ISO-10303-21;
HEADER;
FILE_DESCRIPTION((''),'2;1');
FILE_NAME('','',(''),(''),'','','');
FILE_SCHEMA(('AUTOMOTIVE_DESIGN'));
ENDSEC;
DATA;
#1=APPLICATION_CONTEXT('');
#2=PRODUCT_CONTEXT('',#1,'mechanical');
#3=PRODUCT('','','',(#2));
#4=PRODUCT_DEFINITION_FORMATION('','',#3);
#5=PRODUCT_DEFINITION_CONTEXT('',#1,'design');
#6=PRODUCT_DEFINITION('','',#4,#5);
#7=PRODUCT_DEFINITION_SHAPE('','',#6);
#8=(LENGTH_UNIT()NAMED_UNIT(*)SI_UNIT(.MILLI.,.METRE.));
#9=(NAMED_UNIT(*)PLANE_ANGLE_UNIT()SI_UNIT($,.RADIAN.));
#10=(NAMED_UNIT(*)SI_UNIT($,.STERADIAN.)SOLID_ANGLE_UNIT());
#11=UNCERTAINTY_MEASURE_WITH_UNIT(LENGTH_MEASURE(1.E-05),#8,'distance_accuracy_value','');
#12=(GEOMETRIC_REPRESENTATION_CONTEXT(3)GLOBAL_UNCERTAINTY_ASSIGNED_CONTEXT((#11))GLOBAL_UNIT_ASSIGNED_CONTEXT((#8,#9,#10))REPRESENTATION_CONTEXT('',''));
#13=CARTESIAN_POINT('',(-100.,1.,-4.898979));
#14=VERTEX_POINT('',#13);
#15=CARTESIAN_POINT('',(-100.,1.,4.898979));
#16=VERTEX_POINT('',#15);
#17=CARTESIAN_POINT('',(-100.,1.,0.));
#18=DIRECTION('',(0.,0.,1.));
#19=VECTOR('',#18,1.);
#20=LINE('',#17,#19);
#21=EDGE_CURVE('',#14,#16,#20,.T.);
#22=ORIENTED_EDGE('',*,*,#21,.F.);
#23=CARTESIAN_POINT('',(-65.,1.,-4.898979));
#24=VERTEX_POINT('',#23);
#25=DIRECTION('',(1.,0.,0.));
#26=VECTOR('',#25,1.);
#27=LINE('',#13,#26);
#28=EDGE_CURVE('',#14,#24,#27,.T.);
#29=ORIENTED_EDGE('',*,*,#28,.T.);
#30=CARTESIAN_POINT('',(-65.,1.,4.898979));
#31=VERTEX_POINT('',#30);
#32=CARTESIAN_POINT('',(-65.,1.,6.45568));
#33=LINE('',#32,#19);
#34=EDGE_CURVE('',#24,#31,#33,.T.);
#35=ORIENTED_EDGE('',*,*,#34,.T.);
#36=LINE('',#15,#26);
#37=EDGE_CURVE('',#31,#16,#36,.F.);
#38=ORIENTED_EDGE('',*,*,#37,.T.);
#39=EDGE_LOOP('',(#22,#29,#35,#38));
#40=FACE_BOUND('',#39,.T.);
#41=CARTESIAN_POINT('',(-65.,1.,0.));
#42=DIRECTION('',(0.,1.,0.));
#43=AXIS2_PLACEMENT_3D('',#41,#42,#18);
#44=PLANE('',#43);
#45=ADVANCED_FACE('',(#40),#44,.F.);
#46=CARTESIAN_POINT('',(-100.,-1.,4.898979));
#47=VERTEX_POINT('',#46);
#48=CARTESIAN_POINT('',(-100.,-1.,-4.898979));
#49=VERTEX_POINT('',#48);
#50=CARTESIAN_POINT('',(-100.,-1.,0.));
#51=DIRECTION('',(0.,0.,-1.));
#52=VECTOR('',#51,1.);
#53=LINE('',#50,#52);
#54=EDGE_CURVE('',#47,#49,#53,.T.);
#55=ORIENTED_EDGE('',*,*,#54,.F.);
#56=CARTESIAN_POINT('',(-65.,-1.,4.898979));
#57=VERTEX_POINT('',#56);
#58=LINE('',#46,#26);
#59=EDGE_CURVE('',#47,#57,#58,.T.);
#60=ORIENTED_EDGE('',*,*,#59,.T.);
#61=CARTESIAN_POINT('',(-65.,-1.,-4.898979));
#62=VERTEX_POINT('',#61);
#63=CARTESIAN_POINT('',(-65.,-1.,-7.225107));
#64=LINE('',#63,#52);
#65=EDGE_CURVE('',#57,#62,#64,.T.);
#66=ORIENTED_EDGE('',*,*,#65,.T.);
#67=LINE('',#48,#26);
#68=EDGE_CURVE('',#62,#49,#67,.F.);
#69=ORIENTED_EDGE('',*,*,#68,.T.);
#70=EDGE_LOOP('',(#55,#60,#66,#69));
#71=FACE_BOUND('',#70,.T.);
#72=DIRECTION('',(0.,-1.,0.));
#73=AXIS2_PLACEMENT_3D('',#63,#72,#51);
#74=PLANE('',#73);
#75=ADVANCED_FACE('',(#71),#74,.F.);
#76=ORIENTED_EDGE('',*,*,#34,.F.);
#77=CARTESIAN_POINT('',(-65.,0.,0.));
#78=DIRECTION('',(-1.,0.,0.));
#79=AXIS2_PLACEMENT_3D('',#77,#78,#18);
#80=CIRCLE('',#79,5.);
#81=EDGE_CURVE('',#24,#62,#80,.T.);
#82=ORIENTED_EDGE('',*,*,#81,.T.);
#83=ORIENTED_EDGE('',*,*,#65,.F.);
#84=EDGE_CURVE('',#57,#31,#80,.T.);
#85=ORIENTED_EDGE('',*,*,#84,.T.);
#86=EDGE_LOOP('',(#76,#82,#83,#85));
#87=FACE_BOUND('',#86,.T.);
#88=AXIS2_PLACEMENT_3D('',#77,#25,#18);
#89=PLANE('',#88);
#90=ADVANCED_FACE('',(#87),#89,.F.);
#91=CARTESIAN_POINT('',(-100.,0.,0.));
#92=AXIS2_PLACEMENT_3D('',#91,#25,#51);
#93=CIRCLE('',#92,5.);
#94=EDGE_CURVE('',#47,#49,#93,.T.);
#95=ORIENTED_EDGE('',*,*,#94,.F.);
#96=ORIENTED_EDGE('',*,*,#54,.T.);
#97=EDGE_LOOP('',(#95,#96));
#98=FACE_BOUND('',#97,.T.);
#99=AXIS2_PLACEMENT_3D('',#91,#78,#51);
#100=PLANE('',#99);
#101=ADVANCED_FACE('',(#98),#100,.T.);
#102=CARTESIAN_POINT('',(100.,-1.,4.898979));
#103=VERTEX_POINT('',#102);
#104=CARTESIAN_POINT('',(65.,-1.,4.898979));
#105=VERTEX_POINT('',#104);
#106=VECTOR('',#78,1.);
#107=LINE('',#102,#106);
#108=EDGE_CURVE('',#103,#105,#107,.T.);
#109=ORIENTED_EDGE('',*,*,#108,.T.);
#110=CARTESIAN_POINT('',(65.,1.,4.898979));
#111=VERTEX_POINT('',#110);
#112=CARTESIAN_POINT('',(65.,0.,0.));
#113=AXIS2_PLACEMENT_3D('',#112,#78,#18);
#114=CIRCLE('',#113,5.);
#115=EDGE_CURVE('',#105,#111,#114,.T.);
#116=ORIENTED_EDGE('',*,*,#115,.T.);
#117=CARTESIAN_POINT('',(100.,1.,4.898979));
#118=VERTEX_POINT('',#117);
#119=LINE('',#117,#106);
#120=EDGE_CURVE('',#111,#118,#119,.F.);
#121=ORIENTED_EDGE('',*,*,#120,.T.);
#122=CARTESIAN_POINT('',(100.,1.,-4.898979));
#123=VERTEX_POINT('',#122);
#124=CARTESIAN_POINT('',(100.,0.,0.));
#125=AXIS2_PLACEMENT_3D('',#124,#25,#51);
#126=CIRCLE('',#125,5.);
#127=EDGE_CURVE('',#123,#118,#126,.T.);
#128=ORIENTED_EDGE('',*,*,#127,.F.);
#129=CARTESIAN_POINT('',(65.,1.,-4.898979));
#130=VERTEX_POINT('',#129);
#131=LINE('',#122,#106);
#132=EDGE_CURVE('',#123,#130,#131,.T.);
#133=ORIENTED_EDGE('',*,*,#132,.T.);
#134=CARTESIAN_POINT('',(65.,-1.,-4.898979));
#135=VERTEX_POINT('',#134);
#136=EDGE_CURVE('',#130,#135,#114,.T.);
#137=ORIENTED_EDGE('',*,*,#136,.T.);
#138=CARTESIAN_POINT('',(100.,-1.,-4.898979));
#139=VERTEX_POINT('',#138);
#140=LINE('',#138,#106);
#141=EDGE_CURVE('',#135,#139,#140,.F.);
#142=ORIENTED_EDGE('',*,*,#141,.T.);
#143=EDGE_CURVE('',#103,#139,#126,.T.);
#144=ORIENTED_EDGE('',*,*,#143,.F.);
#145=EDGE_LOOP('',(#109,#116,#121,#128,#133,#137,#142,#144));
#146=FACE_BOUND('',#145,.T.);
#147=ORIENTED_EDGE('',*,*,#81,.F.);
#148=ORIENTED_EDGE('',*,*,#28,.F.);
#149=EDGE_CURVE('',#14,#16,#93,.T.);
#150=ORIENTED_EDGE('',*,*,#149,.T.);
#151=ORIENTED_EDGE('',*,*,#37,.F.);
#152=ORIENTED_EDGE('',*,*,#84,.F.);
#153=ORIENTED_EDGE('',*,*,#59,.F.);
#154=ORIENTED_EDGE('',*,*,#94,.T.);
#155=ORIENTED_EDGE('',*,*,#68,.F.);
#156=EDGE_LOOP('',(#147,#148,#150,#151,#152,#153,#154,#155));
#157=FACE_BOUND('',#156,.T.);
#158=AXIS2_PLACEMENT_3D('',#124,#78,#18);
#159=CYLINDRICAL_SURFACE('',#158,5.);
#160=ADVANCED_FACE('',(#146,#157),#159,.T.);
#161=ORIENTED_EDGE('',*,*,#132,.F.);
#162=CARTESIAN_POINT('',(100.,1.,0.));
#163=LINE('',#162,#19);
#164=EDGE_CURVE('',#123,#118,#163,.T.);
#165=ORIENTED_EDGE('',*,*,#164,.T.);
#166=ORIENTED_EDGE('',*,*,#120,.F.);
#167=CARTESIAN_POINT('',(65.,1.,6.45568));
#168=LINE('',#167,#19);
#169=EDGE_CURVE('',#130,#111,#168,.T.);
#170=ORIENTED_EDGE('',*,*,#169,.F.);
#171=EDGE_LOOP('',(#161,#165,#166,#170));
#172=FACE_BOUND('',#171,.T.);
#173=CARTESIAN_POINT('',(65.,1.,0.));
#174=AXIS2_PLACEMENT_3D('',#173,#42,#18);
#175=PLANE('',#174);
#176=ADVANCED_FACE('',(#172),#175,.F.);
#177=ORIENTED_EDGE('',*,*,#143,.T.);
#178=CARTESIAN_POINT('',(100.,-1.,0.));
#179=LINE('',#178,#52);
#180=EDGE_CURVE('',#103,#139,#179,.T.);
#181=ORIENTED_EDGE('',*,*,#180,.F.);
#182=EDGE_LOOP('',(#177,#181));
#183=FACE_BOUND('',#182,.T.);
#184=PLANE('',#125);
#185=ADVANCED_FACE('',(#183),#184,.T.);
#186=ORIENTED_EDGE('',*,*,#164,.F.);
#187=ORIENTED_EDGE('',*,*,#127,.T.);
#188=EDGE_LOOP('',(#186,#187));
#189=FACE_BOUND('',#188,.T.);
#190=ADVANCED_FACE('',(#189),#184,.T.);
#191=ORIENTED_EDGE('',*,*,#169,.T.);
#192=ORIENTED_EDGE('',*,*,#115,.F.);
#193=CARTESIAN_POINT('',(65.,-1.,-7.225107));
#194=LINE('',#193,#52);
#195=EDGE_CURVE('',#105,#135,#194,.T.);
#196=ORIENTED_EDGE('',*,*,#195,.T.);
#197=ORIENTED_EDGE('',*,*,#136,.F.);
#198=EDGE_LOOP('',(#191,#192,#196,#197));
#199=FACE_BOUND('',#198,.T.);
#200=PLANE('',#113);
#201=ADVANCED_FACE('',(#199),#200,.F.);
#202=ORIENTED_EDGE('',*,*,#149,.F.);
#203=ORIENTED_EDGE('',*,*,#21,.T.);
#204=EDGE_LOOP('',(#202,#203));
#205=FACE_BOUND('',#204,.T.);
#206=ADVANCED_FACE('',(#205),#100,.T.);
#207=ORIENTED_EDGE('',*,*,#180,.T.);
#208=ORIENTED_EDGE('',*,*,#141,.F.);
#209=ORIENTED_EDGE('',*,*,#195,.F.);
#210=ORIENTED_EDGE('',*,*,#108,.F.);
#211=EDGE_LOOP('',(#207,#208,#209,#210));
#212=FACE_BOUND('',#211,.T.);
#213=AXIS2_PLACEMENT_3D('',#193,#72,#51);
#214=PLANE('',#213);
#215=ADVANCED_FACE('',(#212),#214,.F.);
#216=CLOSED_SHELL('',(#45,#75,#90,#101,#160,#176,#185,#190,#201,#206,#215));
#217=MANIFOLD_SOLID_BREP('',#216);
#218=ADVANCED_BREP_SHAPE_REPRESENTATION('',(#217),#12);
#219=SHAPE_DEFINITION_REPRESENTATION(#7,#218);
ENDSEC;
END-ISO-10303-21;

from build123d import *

# Parameters (mm, degrees)
SKETCH_1_R          = 5
EXTRUDE_1_DEPTH     = 100
CUT_EXTRUDE_1_DEPTH = 35


with BuildPart() as part:
    # 草图1 → 凸台-拉伸1 (new body)
    with BuildSketch(Plane(origin=(0, 0, 0), x_dir=(0, 0, -1), z_dir=(1, 0, 0))):
        Circle(SKETCH_1_R)
    extrude(amount=EXTRUDE_1_DEPTH)

    # 草图2 → 切除-拉伸1 (cut)
    with BuildSketch(Plane(origin=(100, 0, 0), x_dir=(0, 0, -1), z_dir=(1, 0, 0))):
        Polygon((0, 1), (7.225106676, 1), (7.225106676, -1), (-6.455679515, -1), (-6.455679515, 1), align=None)
    extrude(amount=-CUT_EXTRUDE_1_DEPTH, mode=Mode.SUBTRACT)

    # 镜向1: part across plane


with BuildPart() as part_1:
    add(part.part)
    add(part.part.mirror(Plane(origin=(0, 0, 0), x_dir=(0, 0, 1), z_dir=(1, 0, 0))))


solid = part_1.part
